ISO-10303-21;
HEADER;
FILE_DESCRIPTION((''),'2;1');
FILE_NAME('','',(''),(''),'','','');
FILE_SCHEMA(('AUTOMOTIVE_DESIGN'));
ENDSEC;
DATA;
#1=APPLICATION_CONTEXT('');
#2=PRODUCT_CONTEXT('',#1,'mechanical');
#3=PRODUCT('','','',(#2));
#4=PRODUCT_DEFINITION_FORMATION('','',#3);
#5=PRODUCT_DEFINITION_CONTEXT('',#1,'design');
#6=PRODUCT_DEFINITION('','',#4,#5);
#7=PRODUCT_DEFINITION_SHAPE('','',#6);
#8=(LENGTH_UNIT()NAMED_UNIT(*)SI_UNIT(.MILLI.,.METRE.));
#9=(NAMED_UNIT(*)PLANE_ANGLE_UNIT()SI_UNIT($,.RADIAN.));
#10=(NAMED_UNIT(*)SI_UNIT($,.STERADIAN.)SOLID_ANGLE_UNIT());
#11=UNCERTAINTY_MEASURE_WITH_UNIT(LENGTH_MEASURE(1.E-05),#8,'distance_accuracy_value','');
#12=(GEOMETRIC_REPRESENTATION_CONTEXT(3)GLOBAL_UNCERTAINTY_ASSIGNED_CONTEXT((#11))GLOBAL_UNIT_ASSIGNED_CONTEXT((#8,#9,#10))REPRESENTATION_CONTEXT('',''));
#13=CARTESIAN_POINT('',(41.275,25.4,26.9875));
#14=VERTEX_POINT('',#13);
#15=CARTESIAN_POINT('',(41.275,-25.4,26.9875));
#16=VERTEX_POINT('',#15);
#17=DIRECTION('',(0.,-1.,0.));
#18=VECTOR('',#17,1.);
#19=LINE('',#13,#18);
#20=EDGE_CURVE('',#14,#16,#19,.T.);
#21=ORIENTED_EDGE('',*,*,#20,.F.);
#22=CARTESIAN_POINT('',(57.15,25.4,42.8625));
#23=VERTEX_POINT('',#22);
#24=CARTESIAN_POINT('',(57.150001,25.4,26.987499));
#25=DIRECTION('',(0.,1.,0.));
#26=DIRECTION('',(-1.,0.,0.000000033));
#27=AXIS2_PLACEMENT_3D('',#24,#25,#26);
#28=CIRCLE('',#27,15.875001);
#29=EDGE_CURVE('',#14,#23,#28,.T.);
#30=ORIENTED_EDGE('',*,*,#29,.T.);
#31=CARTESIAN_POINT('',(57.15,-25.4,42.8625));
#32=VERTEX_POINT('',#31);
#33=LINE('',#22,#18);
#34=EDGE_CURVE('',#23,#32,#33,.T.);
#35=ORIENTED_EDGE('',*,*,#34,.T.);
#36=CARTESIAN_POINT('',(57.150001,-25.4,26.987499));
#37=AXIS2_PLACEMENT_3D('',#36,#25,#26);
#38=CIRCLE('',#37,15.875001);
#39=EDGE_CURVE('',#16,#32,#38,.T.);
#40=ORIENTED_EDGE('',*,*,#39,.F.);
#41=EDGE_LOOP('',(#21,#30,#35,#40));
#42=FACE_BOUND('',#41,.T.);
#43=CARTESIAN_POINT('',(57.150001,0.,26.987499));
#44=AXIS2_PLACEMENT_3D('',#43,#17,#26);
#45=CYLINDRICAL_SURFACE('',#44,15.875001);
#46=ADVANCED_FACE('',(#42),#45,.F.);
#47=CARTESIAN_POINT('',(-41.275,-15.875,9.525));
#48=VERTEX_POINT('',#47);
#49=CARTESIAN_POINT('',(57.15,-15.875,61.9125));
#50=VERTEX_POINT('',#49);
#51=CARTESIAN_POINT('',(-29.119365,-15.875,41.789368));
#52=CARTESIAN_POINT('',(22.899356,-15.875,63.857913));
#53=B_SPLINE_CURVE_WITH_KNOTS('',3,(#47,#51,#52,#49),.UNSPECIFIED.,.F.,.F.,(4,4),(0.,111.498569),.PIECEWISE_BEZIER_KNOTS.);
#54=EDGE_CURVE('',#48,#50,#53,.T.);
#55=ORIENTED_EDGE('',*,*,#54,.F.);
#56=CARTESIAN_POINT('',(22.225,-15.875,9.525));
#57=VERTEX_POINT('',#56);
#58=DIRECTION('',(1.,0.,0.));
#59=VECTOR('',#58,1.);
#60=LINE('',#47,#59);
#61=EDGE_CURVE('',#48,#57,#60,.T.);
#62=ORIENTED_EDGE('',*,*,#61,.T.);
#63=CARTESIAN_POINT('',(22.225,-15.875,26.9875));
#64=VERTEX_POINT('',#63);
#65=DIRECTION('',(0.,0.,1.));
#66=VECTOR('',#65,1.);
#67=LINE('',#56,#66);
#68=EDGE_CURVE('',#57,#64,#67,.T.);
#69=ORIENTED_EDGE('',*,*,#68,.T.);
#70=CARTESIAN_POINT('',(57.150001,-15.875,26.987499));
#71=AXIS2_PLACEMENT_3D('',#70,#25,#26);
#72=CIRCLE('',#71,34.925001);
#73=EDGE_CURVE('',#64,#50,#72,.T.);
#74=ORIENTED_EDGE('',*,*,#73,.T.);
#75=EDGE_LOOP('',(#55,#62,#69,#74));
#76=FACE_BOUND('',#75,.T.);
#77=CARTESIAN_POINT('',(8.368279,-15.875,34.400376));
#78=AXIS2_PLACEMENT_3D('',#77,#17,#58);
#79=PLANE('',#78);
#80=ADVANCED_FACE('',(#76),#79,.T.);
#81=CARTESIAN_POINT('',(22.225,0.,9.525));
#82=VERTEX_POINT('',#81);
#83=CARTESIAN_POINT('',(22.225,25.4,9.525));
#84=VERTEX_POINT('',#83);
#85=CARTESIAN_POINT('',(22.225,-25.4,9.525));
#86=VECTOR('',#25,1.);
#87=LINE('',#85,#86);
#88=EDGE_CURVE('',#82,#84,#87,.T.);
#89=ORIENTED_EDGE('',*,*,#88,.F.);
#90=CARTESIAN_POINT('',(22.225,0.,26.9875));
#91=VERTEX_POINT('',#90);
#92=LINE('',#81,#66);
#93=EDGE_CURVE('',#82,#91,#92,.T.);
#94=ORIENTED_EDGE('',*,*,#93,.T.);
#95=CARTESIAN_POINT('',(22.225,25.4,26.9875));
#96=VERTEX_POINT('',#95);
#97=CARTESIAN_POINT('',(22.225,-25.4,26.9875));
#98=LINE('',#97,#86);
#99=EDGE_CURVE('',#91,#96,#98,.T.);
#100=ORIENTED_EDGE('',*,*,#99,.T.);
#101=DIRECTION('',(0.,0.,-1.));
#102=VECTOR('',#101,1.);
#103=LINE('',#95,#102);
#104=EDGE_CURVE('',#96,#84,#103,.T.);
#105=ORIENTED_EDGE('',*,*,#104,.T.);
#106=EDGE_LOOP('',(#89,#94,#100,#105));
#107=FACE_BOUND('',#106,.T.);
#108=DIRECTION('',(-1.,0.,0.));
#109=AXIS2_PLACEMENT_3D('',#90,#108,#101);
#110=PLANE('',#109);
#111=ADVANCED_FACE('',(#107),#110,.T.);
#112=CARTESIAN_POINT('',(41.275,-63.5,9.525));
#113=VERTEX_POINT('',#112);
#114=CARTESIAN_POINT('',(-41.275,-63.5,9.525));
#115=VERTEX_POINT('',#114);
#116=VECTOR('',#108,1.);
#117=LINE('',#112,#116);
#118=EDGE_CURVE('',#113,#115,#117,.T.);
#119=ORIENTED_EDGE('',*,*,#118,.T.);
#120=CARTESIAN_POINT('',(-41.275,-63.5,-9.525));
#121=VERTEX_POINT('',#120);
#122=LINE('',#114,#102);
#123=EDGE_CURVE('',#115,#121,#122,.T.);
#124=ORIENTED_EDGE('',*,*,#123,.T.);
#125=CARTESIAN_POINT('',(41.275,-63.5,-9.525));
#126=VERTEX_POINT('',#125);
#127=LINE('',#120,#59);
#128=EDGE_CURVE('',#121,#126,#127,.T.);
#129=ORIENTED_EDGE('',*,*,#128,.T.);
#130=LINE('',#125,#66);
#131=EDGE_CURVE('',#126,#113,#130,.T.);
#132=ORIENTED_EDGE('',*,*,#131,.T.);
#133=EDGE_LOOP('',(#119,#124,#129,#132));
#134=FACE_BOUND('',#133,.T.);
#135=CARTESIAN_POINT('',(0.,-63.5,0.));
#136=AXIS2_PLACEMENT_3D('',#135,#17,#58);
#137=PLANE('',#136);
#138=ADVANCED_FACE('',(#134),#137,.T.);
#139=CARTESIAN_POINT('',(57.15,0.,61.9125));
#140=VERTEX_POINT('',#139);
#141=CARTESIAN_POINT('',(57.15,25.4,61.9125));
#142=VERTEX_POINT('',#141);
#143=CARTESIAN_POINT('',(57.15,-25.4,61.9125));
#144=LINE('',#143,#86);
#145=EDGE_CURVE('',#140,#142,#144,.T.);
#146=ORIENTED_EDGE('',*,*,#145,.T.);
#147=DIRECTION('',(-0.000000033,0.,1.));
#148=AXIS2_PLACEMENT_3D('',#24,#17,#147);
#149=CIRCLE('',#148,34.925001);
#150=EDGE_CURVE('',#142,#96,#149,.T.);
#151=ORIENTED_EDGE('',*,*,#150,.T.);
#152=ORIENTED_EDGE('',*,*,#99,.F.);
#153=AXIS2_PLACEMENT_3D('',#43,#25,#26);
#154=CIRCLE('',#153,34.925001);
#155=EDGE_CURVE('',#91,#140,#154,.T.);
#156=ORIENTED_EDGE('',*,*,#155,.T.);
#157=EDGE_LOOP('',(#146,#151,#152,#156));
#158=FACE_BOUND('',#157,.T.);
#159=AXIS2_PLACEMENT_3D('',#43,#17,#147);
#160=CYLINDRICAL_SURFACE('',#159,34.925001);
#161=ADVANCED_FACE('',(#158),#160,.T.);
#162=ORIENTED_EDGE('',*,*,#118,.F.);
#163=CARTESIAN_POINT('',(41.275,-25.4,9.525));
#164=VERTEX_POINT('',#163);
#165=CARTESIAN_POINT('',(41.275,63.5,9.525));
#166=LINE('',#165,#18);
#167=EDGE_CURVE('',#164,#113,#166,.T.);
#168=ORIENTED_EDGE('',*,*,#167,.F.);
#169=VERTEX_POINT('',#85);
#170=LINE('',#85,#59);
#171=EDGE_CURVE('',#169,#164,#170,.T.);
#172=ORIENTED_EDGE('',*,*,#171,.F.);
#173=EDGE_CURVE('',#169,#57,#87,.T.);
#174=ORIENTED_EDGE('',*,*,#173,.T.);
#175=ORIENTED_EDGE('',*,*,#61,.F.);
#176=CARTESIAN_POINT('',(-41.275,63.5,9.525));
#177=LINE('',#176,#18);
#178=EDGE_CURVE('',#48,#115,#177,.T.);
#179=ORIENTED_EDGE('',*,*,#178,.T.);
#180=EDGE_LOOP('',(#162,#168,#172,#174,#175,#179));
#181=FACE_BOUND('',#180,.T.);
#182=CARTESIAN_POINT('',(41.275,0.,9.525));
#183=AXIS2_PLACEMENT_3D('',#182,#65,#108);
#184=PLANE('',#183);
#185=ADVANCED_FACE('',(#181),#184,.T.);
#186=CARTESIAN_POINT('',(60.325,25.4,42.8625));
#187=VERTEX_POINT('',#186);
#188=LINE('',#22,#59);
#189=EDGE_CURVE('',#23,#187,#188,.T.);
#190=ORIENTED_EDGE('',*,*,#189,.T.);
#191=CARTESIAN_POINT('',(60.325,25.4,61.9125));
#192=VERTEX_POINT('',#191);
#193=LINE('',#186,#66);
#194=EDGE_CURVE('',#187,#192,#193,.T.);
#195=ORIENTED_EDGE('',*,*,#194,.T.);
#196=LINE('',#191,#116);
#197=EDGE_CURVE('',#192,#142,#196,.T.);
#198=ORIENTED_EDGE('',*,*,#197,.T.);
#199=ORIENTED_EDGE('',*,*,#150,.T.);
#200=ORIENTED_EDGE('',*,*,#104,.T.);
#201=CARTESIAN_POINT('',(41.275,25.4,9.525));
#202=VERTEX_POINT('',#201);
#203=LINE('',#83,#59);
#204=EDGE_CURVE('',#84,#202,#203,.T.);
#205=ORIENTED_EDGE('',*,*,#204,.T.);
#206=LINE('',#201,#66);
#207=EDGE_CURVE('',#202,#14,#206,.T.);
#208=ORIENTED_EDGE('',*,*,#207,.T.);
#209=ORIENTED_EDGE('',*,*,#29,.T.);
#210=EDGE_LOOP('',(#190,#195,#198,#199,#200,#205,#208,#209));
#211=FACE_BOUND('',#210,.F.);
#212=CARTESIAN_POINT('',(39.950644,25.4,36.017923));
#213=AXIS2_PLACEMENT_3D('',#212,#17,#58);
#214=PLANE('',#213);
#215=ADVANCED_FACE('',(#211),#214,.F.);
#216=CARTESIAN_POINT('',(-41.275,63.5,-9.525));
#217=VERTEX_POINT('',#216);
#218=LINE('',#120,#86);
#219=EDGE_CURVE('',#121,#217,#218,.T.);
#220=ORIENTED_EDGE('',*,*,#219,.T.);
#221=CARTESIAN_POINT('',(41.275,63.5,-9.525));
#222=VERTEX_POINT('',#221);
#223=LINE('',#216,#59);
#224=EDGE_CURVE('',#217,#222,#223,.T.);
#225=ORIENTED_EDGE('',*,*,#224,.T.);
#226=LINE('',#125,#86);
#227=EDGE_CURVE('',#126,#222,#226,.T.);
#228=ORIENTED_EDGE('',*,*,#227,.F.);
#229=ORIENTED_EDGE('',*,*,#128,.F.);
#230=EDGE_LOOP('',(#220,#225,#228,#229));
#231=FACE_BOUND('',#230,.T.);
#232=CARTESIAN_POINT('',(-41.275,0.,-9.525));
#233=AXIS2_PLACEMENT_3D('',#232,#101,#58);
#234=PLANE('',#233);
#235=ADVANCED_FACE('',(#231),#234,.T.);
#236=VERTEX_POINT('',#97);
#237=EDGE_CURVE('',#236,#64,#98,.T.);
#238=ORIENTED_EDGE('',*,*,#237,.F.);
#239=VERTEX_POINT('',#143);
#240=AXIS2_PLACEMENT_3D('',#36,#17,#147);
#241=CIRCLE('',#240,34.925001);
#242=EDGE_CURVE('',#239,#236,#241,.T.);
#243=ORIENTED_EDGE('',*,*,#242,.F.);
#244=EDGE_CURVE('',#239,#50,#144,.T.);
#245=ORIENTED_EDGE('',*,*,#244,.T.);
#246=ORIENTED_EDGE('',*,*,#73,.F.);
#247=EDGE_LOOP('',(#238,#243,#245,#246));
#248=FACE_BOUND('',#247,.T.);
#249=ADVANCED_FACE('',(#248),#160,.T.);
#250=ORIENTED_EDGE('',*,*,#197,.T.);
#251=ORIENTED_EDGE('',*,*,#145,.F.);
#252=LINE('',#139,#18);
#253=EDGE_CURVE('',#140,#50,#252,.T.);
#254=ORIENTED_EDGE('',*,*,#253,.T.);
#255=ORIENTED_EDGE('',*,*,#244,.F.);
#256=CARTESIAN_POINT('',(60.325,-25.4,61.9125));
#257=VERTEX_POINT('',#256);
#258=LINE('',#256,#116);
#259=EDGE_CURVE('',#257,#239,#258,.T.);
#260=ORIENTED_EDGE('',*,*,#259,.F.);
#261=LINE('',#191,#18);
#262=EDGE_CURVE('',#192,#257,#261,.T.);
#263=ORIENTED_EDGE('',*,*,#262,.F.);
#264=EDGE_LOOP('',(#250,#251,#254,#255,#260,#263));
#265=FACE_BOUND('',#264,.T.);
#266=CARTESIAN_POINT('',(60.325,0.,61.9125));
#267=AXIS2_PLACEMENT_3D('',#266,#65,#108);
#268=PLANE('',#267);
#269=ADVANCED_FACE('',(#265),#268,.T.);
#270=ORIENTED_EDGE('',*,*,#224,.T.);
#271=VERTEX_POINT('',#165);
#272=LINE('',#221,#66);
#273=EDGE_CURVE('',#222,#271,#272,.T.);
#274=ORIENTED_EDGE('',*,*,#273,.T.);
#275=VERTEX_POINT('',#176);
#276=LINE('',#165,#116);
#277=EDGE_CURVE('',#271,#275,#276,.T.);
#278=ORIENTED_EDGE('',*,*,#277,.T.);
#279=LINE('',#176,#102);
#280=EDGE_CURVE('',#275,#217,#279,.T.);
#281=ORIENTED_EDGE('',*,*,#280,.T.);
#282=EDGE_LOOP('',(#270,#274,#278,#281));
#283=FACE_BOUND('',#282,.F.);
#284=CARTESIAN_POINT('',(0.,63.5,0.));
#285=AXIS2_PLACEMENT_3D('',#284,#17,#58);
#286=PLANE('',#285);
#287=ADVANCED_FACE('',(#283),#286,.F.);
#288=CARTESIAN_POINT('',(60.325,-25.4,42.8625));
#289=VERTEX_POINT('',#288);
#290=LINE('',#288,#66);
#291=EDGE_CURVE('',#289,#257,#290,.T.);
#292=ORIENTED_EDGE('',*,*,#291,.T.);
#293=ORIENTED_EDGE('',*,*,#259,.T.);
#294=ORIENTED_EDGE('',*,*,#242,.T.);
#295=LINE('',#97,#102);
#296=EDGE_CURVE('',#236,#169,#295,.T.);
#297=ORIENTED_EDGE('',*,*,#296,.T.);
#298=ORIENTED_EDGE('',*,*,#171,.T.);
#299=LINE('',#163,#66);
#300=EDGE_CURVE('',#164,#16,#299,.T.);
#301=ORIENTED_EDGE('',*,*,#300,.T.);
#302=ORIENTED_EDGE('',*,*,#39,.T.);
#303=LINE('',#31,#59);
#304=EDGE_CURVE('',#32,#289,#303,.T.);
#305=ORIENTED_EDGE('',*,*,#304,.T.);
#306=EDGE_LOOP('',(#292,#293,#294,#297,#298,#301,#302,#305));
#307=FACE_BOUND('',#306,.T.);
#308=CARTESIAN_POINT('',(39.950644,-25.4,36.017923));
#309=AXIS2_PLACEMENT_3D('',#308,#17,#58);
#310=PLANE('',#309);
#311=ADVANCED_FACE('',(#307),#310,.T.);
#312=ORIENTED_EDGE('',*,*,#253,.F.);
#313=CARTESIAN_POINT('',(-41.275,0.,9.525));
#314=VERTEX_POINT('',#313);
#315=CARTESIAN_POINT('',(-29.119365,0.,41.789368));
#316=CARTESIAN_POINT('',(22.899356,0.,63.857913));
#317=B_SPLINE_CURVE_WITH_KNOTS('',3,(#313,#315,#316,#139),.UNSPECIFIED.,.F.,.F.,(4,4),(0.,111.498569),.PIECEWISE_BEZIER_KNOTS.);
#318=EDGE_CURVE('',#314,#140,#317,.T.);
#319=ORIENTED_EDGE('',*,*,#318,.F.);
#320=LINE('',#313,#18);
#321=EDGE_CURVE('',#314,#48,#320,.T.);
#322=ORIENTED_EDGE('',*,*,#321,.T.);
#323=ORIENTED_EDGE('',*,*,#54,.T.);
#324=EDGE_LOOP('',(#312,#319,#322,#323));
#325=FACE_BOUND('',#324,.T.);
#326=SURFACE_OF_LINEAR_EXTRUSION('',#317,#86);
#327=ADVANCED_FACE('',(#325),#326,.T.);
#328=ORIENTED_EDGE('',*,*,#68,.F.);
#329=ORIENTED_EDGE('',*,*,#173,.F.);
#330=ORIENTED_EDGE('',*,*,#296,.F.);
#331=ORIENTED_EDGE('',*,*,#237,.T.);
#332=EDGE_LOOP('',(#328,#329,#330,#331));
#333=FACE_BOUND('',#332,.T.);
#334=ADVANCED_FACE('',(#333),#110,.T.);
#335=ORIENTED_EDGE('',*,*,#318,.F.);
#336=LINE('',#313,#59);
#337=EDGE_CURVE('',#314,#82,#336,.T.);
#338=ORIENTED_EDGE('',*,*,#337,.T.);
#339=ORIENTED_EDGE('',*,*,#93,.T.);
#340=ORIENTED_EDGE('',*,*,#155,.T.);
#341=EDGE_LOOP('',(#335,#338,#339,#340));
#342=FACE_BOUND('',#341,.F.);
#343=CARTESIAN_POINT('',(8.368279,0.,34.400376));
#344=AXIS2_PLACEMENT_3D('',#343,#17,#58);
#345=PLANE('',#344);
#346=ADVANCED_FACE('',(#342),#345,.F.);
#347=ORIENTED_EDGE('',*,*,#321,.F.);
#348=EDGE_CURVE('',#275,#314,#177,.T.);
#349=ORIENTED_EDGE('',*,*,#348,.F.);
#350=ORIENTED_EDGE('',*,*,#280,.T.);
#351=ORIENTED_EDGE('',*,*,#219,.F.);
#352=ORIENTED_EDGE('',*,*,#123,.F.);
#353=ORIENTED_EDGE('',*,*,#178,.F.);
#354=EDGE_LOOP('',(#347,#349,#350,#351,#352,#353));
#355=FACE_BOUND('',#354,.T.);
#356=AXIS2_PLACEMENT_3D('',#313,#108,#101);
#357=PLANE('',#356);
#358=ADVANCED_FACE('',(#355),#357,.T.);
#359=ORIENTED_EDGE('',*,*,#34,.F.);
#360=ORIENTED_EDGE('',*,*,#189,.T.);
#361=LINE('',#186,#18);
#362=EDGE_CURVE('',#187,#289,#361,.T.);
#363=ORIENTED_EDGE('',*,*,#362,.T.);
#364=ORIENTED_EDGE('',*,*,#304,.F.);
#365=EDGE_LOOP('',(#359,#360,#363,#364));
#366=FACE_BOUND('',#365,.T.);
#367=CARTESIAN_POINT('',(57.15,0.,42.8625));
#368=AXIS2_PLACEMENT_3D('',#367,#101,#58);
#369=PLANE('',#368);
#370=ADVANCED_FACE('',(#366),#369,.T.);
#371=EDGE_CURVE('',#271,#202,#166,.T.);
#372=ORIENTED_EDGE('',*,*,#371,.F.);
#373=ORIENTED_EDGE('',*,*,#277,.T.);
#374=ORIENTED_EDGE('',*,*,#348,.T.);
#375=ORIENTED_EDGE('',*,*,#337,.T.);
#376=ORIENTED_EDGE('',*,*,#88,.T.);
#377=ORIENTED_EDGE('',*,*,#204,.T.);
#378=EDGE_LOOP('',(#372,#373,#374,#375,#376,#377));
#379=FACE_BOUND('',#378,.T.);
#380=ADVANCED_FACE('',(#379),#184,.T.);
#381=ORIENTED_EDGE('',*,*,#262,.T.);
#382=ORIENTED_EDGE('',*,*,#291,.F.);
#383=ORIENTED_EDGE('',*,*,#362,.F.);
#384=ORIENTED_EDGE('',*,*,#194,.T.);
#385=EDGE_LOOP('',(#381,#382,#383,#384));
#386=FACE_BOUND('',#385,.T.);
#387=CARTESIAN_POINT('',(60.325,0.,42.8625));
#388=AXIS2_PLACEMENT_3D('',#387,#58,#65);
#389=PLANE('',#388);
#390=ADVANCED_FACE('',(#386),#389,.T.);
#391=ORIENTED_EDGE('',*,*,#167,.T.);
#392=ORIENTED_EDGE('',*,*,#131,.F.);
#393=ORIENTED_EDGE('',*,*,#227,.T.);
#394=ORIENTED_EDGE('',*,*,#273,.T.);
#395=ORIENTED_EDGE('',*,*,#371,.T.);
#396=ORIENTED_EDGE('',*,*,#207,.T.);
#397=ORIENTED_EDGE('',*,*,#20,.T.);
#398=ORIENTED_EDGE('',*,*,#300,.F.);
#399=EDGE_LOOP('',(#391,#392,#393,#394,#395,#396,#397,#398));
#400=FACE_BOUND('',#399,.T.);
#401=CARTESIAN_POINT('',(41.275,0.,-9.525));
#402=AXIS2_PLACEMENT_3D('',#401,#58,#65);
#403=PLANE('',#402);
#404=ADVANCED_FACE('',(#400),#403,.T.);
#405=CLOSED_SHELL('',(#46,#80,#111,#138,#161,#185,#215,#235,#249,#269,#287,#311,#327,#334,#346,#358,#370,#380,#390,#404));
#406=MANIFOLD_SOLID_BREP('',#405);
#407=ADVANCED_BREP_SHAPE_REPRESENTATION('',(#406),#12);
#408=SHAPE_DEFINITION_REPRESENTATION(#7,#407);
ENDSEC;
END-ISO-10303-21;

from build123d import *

# Parameters (mm, degrees)
F1_DEPTH = 25.4
F2_DEPTH = 63.5
F3_DEPTH = 15.875


with BuildPart() as f1:
    # F0 (on Front) → F1 (new body, symmetric)
    with BuildSketch(Plane.XZ):
        with BuildLine():
            Line((22.225, 9.525), (41.275, 9.525))
            Line((41.275, 9.525), (41.275, 26.9875))
            ThreePointArc((41.275, 26.9875), (45.92468, 38.21282), (57.15, 42.8625))
            Line((57.15, 42.8625), (60.325, 42.8625))
            Line((60.325, 42.8625), (60.325, 61.9125))
            Line((60.325, 61.9125), (57.15, 61.9125))
            ThreePointArc((57.15, 61.9125), (32.454296, 51.683204), (22.225, 26.9875))
            Line((22.225, 26.9875), (22.225, 9.525))
        make_face()
    extrude(amount=F1_DEPTH, both=True)

    # F0 (on Front) → F2 (join, symmetric)
    with BuildSketch(Plane.XZ):
        Polygon((41.275, -9.525), (41.275, 9.525), (22.225, 9.525), (-41.275, 9.525), (-41.275, -9.525), align=None)
    extrude(amount=F2_DEPTH, both=True)

    # F0 (on Front) → F3 (join)
    with BuildSketch(Plane.XZ):
        with BuildLine():
            Line((-41.275, 9.525), (22.225, 9.525))
            Line((22.225, 9.525), (22.225, 26.9875))
            ThreePointArc((22.225, 26.9875), (32.454296, 51.683204), (57.15, 61.9125))
            add(Edge.make_bspline(
                [(-41.275, 9.525), (-29.119365, 41.789368), (22.899356, 63.857913), (57.15, 61.9125)],
                knots=[0, 0, 0, 0, 111.498569, 111.498569, 111.498569, 111.498569], degree=3))
        make_face()
    extrude(amount=F3_DEPTH)


solid = f1.part
